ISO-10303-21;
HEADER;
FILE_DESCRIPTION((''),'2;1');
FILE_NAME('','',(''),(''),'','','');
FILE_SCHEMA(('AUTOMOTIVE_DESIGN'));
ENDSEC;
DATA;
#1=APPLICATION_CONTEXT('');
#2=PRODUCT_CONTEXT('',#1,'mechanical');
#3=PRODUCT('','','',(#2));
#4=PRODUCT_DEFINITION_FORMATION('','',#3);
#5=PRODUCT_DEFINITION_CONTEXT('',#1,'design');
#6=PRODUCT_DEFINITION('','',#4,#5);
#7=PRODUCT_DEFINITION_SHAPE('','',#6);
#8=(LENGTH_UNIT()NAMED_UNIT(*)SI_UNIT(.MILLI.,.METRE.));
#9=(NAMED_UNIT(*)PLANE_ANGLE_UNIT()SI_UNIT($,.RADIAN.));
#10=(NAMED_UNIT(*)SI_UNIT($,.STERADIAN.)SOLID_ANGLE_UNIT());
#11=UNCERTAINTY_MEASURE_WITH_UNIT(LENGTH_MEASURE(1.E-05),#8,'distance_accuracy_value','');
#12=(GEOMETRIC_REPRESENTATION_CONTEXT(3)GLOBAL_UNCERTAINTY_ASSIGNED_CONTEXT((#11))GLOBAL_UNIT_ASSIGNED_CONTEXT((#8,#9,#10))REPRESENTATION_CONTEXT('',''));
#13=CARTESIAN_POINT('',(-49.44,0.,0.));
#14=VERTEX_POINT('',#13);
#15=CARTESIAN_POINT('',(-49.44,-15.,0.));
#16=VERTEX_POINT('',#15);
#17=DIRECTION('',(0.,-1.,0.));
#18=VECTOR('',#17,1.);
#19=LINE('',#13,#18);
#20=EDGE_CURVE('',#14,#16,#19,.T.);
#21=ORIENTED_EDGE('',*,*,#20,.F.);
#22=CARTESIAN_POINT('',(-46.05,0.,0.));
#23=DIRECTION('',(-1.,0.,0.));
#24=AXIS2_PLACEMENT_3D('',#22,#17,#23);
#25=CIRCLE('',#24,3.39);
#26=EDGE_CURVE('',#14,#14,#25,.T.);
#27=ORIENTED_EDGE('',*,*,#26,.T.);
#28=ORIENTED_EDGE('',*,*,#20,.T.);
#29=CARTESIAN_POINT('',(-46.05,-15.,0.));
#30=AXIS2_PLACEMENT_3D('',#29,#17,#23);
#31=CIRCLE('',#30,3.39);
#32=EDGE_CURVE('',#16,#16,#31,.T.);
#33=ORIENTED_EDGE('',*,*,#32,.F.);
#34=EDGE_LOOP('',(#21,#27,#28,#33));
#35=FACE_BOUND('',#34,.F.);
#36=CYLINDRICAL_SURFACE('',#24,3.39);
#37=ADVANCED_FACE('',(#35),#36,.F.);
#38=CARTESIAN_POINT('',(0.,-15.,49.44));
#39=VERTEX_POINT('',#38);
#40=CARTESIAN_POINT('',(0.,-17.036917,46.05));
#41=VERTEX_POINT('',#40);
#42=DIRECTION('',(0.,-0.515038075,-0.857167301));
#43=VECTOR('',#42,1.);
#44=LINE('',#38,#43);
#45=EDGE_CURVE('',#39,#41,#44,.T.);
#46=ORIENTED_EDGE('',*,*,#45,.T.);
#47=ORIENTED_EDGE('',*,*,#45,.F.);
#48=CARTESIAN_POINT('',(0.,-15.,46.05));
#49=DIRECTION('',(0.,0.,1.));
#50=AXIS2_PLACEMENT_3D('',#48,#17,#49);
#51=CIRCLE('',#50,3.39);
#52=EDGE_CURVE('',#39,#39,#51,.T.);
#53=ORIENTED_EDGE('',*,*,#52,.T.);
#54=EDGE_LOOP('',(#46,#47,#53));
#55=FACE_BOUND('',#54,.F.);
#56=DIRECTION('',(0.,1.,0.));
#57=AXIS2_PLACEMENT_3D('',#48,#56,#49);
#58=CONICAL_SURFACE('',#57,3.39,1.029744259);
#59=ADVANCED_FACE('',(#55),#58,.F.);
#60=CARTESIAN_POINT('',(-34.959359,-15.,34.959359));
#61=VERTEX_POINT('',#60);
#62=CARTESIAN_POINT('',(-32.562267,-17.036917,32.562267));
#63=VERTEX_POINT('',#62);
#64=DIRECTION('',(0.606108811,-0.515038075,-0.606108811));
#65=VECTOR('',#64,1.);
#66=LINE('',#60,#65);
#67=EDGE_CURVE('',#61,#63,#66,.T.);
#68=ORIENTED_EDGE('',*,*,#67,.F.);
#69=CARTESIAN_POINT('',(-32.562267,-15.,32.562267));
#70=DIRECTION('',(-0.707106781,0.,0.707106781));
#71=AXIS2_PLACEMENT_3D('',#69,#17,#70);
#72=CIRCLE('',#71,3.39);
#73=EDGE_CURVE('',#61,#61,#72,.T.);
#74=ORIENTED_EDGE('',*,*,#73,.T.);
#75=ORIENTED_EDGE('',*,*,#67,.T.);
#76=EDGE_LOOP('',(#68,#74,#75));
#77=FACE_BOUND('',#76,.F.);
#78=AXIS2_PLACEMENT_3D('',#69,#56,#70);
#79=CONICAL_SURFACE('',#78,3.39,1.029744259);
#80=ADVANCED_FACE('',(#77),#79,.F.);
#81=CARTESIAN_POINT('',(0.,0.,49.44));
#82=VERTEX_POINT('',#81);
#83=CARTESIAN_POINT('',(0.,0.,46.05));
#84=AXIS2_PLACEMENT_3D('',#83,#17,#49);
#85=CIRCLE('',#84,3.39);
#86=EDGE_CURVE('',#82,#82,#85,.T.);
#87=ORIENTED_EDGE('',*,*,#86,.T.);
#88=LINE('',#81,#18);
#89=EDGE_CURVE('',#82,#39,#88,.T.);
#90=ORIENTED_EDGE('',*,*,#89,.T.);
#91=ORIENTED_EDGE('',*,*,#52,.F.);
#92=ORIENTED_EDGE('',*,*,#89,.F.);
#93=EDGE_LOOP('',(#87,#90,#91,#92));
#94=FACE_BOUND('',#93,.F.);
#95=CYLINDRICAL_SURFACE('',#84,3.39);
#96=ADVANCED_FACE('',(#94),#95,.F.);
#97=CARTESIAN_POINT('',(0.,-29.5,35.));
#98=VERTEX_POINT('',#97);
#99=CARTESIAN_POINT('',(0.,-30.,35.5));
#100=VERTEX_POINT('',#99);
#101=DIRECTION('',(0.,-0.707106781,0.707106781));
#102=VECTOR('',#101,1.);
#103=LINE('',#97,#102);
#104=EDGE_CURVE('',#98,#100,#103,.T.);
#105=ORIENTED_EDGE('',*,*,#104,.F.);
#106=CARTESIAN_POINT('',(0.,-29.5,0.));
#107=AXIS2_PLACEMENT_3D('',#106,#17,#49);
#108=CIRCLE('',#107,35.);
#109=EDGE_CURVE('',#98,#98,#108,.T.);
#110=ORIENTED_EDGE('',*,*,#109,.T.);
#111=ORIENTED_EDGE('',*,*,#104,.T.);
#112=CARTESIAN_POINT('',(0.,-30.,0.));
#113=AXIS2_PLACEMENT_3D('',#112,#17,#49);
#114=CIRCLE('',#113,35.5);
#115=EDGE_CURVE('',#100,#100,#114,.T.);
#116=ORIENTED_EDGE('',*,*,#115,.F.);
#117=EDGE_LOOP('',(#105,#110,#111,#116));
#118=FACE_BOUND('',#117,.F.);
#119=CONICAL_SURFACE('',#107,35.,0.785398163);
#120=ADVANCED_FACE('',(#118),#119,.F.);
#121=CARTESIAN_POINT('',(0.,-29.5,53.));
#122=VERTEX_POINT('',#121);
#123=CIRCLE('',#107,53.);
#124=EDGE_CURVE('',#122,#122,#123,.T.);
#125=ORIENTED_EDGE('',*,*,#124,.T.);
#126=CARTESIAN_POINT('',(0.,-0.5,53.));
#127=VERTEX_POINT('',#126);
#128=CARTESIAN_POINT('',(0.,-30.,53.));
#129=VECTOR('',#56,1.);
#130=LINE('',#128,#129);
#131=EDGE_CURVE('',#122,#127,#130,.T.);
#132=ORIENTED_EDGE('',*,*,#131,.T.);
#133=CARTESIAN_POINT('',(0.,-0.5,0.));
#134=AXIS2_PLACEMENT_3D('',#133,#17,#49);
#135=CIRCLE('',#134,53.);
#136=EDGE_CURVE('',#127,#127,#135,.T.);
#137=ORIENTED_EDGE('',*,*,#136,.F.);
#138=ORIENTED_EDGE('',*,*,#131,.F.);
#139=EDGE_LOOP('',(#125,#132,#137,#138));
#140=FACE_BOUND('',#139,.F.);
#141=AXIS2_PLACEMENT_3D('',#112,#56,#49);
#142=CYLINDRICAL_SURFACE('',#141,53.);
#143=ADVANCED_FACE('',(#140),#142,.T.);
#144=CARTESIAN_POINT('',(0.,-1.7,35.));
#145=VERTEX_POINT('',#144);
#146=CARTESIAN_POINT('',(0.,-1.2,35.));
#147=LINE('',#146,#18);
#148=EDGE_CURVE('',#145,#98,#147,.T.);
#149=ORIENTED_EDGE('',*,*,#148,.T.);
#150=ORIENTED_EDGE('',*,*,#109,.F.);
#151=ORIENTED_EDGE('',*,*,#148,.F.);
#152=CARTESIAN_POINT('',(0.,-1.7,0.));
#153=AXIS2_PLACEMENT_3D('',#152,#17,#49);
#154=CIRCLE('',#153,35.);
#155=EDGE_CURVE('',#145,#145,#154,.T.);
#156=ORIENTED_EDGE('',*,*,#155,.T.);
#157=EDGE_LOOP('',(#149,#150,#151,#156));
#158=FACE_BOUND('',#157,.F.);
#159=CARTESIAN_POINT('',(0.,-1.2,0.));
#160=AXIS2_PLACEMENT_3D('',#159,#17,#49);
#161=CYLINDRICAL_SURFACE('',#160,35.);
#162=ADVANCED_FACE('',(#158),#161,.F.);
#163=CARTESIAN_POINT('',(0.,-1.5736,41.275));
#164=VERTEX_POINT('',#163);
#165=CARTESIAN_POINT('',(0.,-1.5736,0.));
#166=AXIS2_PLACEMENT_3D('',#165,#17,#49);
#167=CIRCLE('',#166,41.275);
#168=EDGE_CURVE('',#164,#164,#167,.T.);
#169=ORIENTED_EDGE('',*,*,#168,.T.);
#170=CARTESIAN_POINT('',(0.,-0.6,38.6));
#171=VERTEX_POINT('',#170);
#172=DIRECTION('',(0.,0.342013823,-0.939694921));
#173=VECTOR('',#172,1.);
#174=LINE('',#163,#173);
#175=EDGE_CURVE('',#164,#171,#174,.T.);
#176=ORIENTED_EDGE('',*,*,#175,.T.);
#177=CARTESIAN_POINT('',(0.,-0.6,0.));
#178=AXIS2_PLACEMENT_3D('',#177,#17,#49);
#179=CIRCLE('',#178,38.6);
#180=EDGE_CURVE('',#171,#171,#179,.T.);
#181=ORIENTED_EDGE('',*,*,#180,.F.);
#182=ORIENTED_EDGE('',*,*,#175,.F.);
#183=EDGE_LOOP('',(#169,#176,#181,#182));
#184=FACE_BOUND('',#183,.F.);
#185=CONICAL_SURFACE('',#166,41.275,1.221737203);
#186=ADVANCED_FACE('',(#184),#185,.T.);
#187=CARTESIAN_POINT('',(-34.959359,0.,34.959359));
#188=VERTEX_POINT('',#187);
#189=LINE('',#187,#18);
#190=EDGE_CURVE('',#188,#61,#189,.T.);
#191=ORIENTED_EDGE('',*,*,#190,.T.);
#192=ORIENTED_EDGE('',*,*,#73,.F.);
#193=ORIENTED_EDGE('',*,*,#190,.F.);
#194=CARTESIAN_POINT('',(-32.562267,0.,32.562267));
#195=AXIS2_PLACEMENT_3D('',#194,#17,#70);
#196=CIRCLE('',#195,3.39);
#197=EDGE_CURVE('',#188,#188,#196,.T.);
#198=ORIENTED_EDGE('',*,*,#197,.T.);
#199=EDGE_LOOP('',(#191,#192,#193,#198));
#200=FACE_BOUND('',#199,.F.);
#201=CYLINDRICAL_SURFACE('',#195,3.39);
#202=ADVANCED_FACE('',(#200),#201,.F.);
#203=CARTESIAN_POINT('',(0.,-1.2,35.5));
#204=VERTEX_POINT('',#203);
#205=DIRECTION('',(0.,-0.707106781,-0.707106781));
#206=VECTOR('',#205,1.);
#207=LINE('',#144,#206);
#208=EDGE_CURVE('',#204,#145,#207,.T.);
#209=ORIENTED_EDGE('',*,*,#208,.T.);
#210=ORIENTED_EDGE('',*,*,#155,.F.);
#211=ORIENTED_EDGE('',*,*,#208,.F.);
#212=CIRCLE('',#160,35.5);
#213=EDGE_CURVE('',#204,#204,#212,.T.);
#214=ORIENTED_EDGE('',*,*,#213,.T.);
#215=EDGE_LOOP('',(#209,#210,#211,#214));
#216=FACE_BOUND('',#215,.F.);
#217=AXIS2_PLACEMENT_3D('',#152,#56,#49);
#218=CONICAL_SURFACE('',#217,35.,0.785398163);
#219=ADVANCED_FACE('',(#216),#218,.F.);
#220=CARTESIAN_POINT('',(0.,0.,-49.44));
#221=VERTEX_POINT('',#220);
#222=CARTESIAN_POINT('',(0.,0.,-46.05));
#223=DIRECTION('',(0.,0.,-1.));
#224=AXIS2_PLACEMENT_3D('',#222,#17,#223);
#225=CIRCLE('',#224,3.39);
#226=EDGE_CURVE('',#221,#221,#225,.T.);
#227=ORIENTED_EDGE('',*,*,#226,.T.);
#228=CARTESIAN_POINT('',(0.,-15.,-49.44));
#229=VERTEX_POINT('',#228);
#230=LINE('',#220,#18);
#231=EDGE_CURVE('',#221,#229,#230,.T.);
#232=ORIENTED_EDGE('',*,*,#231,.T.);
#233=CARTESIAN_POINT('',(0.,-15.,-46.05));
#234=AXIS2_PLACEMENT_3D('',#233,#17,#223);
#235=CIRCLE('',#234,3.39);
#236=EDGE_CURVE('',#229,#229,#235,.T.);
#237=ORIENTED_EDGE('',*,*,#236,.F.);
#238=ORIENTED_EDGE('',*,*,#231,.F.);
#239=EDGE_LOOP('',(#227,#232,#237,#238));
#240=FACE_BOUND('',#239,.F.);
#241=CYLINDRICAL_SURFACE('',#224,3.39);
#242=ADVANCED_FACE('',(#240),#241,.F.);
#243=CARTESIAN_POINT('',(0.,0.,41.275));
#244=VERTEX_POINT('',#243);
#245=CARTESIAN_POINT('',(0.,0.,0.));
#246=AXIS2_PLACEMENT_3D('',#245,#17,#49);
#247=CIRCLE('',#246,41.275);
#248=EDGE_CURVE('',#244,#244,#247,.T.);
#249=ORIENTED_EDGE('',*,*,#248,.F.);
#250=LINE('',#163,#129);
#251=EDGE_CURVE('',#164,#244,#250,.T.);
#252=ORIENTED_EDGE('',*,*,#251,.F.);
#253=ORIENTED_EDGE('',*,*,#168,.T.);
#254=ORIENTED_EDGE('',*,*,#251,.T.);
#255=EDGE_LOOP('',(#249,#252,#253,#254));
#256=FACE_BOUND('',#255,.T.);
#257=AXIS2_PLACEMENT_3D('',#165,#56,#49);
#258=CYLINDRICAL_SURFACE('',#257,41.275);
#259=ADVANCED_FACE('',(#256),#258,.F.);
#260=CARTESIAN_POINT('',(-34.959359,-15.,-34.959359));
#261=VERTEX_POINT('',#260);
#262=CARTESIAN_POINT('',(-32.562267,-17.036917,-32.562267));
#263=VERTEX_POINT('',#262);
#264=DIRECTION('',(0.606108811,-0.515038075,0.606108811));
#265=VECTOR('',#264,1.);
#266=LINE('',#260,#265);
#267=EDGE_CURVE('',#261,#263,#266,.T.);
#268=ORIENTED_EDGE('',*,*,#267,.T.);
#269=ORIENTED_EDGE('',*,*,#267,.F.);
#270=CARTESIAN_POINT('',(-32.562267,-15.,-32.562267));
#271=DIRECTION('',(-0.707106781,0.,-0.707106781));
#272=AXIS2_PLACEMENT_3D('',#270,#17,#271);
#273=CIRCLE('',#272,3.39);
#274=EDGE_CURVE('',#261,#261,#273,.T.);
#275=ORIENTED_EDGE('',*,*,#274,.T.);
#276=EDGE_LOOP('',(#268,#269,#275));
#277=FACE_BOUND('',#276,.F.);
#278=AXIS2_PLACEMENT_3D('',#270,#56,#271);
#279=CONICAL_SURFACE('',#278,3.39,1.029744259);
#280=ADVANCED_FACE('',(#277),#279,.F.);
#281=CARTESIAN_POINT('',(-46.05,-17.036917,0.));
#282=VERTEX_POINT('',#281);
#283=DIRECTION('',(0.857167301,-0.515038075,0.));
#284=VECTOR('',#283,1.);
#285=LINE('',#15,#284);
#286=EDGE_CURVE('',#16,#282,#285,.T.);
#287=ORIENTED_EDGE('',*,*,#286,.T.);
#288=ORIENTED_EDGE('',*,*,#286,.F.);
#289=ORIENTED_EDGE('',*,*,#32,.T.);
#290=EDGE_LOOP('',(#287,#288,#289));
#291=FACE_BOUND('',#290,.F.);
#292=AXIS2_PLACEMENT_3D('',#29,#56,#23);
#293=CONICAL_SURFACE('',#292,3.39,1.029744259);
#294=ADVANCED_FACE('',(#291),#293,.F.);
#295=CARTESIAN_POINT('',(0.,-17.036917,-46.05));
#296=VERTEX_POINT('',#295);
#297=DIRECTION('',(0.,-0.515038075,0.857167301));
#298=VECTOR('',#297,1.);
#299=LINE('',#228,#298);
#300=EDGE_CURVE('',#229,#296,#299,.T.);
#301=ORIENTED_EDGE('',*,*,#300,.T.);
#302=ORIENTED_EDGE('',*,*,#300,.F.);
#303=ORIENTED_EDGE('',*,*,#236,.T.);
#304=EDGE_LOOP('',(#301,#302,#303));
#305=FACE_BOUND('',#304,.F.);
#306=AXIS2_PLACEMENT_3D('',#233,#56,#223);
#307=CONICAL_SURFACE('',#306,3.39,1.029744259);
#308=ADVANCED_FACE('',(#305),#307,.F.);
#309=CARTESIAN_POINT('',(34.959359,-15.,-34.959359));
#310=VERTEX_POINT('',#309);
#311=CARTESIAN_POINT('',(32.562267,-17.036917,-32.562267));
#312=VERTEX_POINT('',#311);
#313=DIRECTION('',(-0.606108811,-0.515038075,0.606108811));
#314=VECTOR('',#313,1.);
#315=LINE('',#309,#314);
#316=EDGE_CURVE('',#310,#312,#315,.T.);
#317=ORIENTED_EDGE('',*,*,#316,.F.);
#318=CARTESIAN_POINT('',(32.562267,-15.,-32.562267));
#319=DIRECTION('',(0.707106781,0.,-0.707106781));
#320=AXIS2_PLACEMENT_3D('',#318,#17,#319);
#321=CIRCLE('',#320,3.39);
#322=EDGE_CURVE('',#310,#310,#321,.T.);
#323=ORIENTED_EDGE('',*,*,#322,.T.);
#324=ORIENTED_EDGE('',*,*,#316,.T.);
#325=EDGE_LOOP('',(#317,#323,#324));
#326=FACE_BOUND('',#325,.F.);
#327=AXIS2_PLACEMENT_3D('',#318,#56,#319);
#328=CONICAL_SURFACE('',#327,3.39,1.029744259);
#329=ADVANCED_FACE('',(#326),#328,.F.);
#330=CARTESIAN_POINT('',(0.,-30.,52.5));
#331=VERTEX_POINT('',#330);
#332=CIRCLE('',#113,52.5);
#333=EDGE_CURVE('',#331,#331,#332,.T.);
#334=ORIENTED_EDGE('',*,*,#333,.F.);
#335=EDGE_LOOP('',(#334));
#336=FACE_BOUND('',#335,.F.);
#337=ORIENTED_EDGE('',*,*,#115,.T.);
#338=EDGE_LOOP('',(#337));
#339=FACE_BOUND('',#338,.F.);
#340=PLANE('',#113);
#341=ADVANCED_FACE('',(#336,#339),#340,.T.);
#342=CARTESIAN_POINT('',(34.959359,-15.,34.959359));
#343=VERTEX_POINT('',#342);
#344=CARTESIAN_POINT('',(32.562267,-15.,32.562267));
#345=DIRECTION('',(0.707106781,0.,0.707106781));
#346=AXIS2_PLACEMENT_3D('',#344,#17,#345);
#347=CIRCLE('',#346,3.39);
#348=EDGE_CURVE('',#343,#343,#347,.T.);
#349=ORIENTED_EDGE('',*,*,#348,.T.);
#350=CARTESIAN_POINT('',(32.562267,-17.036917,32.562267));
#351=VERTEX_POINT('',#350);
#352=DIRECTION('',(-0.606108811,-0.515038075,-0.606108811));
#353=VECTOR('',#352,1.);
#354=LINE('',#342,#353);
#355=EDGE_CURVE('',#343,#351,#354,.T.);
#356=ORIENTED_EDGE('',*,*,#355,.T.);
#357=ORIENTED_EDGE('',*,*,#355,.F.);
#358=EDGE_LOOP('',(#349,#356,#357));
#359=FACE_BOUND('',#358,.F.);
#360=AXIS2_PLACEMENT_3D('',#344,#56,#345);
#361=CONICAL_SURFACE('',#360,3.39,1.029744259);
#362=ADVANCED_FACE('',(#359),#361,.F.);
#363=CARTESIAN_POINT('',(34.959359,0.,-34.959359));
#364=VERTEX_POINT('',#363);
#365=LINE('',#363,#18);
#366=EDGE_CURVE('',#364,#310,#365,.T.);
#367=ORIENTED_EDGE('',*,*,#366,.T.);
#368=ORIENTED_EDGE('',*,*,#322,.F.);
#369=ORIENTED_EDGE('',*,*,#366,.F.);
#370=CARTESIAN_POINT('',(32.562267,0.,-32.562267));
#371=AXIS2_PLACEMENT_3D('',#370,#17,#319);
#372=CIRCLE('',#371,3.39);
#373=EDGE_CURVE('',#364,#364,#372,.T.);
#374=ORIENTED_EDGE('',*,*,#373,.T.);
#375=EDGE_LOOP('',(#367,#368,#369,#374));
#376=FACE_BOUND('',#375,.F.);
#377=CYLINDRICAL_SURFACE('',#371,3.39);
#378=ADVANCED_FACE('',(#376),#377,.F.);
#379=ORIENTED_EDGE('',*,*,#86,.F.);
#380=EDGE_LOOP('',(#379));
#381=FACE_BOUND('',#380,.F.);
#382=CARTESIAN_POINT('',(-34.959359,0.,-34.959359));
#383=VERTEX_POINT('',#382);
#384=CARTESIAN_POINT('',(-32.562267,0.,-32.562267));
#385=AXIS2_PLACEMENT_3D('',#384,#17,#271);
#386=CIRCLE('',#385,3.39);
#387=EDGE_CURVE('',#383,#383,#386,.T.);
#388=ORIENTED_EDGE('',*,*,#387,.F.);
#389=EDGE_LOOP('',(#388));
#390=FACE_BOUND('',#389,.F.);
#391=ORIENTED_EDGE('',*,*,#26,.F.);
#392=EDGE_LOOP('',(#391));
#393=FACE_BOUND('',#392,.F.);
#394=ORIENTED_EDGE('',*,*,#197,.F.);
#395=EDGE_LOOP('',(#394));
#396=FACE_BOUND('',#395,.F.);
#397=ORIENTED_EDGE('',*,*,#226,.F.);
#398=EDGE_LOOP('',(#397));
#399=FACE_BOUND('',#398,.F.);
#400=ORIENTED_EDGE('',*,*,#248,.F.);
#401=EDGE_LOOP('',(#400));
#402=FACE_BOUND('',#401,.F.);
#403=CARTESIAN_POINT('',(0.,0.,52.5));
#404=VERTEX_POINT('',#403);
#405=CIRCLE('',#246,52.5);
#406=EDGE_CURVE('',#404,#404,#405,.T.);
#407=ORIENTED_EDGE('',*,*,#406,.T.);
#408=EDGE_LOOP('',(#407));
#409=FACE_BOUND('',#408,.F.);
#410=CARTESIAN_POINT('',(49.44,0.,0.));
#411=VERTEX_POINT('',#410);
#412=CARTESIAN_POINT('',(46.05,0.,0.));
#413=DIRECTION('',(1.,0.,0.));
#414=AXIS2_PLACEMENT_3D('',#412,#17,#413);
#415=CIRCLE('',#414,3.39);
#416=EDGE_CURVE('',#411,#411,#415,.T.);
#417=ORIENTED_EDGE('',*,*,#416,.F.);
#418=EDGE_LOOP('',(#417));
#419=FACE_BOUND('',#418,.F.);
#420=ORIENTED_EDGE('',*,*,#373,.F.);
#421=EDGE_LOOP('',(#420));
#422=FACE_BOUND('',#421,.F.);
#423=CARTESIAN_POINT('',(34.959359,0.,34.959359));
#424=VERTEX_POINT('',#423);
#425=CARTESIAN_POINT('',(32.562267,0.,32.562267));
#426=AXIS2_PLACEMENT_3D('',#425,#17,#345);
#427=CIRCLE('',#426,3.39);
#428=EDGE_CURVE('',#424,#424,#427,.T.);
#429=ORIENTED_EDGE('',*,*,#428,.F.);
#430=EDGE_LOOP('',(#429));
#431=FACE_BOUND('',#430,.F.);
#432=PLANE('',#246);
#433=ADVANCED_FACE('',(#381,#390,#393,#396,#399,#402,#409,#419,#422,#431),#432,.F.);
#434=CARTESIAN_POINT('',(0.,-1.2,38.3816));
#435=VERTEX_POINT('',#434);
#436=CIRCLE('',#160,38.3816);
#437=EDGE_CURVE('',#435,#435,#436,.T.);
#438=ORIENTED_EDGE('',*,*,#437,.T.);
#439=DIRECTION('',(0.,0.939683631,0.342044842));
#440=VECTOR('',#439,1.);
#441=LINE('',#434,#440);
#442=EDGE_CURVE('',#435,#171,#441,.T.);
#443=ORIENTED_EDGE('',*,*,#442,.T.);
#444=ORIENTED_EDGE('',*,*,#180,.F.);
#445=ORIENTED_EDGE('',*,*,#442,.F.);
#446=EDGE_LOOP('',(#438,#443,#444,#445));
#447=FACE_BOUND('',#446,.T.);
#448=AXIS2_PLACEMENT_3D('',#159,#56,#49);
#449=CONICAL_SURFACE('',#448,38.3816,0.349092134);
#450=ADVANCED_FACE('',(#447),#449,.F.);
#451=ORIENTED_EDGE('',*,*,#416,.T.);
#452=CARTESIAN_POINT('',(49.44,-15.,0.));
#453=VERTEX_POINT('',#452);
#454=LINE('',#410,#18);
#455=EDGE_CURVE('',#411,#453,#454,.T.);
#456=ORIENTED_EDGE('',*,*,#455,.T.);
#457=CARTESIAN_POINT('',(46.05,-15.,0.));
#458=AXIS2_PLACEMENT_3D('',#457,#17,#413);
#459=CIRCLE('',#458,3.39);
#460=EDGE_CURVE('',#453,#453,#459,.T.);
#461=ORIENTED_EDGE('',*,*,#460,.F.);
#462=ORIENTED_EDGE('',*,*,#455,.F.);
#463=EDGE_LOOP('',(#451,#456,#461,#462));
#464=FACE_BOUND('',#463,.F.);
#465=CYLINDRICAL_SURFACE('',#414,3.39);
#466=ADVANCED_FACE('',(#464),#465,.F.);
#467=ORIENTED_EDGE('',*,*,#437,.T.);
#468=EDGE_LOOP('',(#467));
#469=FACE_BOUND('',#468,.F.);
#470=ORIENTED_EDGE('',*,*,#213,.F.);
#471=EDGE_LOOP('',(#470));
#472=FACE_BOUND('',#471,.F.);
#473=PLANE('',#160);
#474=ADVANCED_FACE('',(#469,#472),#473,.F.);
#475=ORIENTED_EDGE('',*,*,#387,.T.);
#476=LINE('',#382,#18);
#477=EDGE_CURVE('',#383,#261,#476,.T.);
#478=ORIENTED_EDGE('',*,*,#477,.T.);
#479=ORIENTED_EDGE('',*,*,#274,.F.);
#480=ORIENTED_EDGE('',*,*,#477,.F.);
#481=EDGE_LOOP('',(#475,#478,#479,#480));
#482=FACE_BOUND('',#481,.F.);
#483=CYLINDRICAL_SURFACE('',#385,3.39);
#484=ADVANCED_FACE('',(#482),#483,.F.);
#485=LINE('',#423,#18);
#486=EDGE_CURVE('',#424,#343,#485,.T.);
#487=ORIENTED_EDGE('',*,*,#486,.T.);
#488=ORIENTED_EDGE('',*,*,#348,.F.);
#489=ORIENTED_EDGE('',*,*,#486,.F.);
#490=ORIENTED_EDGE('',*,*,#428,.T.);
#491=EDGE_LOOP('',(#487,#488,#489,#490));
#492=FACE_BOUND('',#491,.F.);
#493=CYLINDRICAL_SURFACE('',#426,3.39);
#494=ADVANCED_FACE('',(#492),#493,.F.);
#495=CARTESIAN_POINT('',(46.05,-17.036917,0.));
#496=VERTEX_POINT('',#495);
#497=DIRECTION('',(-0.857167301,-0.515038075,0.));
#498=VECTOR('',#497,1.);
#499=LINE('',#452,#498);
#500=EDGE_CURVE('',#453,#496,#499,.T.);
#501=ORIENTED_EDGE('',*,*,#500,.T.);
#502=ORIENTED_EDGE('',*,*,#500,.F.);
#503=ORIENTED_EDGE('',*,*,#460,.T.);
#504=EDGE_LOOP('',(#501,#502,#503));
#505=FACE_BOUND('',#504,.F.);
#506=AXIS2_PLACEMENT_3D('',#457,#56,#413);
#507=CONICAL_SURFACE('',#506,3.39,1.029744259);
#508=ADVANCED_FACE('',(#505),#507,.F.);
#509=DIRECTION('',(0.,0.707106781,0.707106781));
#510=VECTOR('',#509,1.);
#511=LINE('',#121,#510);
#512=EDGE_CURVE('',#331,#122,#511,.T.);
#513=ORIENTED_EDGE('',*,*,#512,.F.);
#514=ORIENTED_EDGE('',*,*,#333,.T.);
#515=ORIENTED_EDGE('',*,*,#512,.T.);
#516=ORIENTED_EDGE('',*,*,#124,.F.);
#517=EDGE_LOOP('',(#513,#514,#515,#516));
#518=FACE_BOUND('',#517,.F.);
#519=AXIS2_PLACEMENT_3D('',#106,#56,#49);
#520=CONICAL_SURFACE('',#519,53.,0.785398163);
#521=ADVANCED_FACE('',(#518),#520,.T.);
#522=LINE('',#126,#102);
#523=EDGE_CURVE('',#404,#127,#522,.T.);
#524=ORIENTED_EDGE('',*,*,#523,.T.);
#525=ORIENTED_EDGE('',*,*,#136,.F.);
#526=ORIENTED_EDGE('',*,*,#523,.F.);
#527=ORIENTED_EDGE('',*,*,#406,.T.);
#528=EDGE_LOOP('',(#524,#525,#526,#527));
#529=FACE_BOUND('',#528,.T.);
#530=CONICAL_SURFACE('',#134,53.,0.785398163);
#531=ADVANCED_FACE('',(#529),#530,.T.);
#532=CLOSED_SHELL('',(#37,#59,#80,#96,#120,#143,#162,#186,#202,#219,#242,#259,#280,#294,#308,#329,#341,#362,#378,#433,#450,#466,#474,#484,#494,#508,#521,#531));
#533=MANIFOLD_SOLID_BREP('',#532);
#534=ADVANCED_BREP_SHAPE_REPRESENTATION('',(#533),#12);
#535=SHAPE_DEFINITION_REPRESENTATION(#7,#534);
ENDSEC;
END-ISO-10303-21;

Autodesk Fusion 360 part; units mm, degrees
sketch "CF63 Profile" plane through (0, 0, 0) normal (1, 0, 0) x (0, 0, -1)
  line L0 (-38.3816, -1.2) -> (-38.6, -0.6)
  line L1 (-50.25, -30) -> (-50.25, 0)
  line L2 (-38.3816, -1.2) -> (0, -1.2)
  line L3 (-41.85, 0) -> (-41.85, -30)
  line L4 (-41.275, -1.5736) -> (-38.6, -0.6)
  line L5 (-50.25, 0) -> (-41.275, 0)
  line L6 (-41.275, -1.5736) -> (-41.275, 0)
  line L7 (-46.05, 0) -> (-46.05, -30)
  line L8 (0, 0) -> (0, -30)
  line L9 (0, -30) -> (-53, -30)
  line L10 (-53, -30) -> (-53, 0)
  line L11 (-53, 0) -> (-50.25, 0)
  line L12 (-35, -1.2) -> (-35, -30)
  dimension "d1" = 30
  dimension "d2" = 53
  dimension "d3" = 35
revolve "Revolve1" add sketch "CF63 Profile" angle 360 about axis through (0, 0, 0) along (0, -1, 0) contours L0 L2 L3 L4 L5 L6 L9 L12 | L3 L5 L7 L9 | L1 L5 L7 L9 | L1 L9 L10 L11
chamfer "Chamfer1" distance 0.5 angle 45 4 edges at (-32.6315, -1.2, 12.6565) (-32.6315, -30, 12.6565) (-49.4133, 0, 19.1656) (-49.4133, -30, 19.1656)
sketch "Sketch2" plane through (0, 0, 0) normal (0, 1, 0) x (-1, 0, 0)
  circle A0 centre (0, 0) radius 41.275
  circle A1 centre (0, 0) radius 52.5
  point P0 (0, 46.05)
hole "Hole1" at (0, 0, 46.05) direction (0, -1, 0) diameter 6.78 depth 15 tip angle 118
pattern_circular "C-Pattern2" count 8 over 360 about axis through (0, 1.75, 0) along (0, 1, 0) of "Hole1"
